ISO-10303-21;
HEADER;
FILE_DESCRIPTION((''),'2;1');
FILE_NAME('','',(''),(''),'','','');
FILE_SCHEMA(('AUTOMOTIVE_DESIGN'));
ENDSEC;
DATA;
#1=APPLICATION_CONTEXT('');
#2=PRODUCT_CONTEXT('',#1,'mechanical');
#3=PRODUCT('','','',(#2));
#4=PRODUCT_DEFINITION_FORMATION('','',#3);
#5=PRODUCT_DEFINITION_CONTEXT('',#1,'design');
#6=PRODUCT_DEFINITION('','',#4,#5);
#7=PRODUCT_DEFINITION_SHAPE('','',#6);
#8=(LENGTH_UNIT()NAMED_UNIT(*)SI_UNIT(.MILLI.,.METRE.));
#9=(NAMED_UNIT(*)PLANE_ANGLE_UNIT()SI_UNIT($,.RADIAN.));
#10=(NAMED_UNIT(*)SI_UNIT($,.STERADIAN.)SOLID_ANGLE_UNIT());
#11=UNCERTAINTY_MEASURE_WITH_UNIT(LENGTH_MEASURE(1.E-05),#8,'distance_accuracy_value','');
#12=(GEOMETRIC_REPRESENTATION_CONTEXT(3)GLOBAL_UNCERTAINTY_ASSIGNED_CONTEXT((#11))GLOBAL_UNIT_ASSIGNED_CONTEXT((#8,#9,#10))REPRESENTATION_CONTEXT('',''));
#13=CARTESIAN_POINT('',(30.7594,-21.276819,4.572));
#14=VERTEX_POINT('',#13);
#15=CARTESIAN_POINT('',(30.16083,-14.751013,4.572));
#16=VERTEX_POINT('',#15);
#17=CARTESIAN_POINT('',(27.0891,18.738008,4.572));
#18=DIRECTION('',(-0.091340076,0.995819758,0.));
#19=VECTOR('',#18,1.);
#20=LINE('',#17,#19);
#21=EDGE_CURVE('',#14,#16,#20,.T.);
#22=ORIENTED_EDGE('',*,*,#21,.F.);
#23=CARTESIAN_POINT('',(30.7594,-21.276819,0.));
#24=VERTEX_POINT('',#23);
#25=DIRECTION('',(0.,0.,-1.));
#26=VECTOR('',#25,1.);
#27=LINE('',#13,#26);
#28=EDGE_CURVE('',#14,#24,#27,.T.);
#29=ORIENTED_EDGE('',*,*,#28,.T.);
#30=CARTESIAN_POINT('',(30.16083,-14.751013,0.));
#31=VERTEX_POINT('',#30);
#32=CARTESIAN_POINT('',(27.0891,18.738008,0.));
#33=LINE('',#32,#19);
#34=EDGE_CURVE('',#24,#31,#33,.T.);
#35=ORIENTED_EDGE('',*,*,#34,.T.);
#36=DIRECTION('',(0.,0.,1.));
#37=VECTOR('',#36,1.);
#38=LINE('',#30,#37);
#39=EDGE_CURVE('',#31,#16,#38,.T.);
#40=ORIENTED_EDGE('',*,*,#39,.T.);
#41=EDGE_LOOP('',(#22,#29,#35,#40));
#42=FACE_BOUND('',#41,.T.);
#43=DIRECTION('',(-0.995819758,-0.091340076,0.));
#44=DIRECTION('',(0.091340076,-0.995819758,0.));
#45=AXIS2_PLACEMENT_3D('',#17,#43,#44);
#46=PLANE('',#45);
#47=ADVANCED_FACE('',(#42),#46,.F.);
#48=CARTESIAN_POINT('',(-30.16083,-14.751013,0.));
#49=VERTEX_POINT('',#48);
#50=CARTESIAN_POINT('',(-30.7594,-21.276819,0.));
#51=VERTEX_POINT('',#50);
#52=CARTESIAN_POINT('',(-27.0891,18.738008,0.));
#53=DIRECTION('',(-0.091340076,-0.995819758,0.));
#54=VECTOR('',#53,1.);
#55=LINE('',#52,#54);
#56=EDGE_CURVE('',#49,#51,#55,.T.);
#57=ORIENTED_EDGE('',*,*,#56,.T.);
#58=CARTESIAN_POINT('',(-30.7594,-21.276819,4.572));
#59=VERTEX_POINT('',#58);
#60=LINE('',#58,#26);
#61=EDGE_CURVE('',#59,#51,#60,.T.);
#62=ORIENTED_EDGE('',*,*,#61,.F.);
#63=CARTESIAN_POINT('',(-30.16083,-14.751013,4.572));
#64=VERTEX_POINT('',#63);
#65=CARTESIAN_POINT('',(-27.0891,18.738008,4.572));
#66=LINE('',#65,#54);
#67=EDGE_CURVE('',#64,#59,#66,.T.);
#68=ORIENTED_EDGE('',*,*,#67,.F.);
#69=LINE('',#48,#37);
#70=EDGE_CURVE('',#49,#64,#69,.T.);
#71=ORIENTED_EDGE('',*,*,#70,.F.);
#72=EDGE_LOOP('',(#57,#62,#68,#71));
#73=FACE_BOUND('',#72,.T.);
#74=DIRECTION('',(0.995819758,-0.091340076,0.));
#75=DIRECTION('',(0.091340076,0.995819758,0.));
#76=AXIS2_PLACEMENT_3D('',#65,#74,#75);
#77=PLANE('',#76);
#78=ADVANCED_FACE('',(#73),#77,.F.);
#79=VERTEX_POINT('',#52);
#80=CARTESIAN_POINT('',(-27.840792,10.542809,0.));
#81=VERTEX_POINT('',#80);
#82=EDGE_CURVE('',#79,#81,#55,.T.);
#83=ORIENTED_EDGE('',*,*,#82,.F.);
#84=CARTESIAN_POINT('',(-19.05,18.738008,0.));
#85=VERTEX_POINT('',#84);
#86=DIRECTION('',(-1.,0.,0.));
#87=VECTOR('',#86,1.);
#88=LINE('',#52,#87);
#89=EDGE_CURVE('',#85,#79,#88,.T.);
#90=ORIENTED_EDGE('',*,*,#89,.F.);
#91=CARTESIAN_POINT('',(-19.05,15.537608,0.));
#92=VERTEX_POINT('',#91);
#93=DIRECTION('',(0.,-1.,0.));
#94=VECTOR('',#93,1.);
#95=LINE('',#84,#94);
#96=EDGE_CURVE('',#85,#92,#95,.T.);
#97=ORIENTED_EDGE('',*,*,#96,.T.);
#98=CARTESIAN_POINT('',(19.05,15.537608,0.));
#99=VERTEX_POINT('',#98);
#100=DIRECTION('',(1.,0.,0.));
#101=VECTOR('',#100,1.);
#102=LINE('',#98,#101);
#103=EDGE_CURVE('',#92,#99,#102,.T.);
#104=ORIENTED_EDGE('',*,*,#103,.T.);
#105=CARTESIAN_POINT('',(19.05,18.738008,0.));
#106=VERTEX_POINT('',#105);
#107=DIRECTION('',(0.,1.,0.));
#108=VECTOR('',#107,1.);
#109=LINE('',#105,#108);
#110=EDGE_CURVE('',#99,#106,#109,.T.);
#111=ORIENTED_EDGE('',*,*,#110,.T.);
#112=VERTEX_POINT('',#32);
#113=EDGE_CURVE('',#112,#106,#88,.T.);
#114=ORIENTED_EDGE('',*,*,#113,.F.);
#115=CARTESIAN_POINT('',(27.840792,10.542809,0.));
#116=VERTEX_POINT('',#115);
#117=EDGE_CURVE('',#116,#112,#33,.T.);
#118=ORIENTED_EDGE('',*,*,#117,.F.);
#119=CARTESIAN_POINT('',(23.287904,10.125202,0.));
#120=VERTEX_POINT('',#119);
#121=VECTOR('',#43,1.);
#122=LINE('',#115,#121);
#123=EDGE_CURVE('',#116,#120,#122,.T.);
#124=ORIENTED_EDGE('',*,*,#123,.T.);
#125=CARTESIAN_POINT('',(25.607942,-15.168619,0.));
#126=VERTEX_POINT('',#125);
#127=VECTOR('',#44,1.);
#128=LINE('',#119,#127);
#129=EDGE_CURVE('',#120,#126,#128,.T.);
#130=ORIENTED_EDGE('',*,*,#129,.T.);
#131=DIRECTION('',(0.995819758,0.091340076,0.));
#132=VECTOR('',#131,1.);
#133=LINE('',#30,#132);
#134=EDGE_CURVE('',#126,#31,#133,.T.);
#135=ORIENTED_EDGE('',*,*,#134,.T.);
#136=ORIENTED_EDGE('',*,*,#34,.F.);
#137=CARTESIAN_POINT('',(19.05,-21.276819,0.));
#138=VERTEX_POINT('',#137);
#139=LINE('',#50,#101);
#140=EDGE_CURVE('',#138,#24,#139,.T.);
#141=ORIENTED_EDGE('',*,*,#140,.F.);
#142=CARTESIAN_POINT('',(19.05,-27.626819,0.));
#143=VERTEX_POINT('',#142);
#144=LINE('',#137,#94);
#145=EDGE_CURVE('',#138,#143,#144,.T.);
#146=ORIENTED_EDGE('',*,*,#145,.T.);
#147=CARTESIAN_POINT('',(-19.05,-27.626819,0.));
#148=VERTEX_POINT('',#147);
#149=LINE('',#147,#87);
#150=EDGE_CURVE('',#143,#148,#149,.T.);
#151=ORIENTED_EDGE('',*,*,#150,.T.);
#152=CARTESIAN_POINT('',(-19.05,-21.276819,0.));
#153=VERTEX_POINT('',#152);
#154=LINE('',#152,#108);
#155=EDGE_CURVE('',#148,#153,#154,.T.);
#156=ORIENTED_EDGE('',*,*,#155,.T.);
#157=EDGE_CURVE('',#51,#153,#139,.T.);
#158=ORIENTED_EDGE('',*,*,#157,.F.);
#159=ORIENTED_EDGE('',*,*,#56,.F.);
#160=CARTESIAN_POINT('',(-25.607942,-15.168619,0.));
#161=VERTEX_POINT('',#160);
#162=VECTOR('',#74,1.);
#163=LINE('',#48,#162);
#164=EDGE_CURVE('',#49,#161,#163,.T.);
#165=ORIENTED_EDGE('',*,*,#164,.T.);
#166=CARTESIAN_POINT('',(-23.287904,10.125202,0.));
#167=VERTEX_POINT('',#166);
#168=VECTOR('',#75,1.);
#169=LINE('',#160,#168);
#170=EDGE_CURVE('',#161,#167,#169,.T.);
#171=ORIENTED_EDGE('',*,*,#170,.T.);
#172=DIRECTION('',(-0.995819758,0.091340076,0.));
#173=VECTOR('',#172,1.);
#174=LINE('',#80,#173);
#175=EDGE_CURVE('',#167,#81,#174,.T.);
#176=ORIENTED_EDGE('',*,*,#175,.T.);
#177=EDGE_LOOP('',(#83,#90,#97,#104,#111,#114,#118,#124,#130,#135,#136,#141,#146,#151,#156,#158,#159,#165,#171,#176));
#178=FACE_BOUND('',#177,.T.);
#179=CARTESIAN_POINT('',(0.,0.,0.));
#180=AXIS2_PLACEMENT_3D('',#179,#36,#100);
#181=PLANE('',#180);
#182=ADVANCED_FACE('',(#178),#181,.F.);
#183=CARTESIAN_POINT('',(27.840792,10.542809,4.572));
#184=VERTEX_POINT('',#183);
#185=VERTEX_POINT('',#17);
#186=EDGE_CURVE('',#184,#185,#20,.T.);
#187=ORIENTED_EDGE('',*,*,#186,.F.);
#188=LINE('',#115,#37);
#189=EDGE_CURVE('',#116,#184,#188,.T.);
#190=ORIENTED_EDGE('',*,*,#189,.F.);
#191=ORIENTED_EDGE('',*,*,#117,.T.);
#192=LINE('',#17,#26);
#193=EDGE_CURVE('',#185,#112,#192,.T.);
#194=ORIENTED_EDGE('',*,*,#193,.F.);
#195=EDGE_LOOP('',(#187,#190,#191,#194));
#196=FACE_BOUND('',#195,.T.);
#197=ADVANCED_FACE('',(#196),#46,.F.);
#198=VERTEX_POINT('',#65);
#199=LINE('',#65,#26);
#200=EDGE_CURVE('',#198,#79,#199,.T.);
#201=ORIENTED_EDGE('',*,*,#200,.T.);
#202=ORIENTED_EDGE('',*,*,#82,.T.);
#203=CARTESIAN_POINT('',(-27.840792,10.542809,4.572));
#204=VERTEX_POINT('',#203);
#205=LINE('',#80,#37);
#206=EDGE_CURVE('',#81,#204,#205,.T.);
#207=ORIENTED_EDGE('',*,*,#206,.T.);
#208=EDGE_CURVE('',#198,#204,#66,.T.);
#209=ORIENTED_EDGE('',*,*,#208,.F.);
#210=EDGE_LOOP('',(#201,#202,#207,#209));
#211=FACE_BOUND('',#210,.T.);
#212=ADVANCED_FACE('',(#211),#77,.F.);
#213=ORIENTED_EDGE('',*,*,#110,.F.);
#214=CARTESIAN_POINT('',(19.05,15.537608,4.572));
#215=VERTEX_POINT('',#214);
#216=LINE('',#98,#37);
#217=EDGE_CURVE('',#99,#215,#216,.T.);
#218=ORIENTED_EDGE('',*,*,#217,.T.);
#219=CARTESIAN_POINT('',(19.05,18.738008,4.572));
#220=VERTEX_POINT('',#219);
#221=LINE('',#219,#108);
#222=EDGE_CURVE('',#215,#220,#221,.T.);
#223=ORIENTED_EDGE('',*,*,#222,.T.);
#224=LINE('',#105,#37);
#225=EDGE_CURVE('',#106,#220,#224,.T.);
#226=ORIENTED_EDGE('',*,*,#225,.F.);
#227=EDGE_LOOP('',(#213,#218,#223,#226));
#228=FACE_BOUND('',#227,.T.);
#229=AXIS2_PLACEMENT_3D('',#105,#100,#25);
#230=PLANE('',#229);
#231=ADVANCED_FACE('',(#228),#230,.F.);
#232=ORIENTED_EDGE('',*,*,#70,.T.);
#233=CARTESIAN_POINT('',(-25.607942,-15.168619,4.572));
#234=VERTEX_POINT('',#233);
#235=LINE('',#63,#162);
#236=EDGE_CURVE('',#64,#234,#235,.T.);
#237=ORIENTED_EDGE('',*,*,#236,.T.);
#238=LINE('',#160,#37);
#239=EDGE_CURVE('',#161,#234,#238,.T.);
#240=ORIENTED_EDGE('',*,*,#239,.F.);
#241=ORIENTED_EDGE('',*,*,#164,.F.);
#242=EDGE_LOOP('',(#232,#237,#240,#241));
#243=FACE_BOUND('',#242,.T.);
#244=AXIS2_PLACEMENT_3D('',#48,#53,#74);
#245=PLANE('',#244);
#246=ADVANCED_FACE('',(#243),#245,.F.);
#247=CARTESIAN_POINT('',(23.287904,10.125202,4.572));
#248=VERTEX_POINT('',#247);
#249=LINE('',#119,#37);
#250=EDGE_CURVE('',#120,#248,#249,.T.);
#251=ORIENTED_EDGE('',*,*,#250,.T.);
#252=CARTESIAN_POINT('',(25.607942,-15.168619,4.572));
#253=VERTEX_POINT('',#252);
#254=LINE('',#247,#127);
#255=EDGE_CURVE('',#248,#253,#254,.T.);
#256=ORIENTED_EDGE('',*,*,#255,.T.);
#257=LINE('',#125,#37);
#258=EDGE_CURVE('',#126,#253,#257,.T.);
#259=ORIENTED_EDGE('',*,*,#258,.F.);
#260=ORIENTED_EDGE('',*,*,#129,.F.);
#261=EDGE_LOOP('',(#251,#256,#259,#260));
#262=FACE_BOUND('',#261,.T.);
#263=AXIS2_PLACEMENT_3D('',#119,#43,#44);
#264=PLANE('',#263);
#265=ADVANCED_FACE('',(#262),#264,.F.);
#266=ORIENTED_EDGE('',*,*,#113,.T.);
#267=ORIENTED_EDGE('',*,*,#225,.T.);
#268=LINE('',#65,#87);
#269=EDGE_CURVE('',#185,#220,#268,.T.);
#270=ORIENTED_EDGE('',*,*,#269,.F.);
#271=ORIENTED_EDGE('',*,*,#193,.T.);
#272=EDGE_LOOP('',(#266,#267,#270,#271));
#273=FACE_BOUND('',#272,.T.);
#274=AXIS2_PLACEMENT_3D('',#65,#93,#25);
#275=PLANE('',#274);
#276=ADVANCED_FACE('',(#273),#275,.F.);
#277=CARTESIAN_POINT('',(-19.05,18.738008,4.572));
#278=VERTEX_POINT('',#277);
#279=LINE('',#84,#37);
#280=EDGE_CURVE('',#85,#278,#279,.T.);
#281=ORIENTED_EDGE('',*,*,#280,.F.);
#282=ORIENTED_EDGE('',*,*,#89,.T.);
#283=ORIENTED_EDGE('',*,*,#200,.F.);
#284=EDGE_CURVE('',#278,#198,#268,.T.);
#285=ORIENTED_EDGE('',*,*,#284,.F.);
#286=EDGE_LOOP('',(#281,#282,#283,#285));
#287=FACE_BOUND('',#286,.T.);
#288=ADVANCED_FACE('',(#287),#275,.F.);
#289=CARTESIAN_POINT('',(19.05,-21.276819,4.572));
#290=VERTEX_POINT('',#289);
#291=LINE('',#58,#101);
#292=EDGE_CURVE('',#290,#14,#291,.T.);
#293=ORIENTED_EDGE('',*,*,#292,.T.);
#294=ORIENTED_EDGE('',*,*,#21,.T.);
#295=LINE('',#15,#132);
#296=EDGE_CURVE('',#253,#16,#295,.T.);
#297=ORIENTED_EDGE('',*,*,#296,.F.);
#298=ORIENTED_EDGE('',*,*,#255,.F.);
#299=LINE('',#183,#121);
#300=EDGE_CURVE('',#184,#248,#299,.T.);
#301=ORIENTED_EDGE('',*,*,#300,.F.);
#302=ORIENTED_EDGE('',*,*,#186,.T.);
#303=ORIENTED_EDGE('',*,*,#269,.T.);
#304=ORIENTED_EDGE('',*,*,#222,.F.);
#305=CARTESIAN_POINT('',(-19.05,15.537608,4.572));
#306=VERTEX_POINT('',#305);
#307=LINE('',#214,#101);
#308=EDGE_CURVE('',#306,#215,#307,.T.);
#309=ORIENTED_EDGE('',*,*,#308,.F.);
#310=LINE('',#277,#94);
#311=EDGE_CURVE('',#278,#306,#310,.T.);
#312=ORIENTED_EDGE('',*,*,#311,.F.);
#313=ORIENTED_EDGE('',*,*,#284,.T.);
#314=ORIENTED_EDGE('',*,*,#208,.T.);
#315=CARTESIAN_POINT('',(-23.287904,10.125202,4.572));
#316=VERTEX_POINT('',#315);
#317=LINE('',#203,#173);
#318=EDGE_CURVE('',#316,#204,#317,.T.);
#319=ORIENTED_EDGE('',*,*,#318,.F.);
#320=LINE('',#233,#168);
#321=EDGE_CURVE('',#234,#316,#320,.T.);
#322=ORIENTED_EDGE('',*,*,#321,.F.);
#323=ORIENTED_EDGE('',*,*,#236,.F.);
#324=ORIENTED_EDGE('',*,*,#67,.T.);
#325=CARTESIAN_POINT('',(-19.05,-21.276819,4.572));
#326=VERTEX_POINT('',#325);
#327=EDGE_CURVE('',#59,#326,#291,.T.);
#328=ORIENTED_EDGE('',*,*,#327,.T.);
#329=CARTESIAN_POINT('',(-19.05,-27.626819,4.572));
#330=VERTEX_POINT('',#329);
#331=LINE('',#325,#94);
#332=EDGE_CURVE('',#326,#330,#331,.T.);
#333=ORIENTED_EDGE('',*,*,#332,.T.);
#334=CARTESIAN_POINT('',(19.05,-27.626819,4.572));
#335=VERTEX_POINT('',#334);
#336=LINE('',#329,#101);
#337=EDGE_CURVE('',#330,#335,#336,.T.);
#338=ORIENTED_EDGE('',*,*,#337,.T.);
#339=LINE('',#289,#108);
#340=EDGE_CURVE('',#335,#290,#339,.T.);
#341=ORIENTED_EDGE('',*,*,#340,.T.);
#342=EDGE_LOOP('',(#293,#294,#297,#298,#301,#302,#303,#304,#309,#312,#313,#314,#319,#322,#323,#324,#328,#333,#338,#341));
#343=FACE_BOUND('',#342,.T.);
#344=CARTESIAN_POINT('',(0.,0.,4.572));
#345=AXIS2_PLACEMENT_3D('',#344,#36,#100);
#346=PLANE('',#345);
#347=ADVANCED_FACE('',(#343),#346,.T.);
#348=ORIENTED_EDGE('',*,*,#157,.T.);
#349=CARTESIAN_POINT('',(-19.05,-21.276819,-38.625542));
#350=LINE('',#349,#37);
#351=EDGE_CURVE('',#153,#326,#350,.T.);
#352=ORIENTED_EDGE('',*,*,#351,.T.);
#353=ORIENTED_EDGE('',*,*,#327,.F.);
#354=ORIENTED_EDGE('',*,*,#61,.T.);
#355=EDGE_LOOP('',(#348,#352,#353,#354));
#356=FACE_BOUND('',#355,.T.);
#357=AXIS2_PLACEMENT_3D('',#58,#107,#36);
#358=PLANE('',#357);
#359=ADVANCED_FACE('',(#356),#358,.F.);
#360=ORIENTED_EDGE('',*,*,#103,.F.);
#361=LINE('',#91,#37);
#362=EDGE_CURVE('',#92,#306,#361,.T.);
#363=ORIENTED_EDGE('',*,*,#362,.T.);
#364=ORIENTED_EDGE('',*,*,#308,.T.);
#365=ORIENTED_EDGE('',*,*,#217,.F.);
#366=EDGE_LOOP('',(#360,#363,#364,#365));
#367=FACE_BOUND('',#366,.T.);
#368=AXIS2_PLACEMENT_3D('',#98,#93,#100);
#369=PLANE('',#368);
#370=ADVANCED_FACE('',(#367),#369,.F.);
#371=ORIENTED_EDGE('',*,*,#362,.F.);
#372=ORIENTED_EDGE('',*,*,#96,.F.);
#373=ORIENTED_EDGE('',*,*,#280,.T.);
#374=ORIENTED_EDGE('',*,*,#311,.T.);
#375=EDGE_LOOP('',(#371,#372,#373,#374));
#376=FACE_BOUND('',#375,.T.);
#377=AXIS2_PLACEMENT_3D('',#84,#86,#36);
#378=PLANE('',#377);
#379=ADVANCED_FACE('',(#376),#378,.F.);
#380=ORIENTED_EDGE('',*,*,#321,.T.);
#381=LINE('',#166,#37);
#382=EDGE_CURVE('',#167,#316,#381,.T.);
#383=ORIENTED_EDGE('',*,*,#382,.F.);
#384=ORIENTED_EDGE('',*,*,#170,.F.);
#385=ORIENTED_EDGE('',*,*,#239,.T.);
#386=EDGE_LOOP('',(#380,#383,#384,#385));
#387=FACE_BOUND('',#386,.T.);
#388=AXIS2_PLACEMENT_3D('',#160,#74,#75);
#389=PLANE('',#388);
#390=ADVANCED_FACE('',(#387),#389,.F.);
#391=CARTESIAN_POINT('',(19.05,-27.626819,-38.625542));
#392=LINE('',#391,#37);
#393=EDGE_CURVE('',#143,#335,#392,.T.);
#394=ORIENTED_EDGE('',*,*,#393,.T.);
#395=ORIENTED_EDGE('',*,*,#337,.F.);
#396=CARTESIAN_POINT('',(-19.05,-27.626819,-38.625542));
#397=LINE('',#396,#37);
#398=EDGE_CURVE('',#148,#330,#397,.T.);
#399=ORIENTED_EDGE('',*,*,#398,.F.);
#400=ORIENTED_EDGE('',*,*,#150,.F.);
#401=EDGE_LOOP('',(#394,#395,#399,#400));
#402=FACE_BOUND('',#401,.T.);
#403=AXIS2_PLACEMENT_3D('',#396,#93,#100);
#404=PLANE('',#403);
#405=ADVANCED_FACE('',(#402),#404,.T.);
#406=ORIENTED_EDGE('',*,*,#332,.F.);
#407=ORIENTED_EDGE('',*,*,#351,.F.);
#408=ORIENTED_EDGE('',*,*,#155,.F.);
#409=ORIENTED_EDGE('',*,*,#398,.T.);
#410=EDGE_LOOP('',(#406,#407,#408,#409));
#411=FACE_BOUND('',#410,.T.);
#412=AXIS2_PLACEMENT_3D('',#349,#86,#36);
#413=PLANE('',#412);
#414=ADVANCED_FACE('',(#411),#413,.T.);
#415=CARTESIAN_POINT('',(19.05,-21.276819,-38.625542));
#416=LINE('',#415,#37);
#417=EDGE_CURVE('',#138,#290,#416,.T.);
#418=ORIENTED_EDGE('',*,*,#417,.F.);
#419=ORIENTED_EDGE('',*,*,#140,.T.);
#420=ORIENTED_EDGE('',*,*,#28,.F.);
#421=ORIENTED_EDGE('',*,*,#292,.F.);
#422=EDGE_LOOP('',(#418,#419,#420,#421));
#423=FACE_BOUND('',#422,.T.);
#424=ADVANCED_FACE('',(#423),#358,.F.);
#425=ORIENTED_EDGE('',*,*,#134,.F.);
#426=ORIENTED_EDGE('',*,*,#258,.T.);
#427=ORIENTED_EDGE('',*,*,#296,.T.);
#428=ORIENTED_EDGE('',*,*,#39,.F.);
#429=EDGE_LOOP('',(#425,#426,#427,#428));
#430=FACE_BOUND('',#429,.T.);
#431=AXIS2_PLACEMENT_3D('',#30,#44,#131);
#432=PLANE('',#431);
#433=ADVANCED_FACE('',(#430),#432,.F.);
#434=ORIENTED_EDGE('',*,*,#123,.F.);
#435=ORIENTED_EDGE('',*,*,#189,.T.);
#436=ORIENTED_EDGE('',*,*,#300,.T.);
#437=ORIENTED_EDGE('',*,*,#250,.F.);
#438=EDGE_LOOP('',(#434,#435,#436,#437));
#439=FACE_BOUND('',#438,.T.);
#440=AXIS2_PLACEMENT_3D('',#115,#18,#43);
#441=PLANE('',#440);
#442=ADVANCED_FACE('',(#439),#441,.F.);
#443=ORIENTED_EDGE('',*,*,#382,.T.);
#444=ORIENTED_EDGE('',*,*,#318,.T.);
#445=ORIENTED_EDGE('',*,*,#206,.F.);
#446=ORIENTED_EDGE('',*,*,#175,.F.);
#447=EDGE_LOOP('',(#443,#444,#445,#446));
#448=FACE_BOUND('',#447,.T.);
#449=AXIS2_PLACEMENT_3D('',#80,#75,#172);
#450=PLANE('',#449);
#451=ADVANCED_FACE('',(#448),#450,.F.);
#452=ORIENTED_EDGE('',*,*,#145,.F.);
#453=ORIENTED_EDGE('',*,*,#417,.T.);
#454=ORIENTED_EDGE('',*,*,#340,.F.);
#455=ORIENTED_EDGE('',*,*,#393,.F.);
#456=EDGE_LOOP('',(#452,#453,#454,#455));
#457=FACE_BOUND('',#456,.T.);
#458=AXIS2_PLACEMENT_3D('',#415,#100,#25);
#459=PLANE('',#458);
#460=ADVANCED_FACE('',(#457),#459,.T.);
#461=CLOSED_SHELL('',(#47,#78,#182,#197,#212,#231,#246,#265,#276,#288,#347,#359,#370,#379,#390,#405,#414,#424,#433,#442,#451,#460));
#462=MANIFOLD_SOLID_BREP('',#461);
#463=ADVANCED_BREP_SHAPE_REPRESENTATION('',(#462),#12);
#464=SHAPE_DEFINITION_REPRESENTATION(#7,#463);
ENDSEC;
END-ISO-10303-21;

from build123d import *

# Parameters (mm, degrees)
BOSS_EXTRUDE1_DEPTH = 4.572
SKETCH2_W           = 38.1
SKETCH2_H           = 3.2004
CUT_EXTRUDE1_DEPTH  = 5.572
SKETCH3_W           = 38.1
SKETCH3_H           = 6.35
BOSS_EXTRUDE2_DEPTH = 4.572


with BuildPart() as part:
    # Sketch1 → Boss-Extrude1 (new body)
    with BuildSketch(Plane.XY):
        Polygon((-27.0891, 18.738007515), (27.0891, 18.738007515), (30.7594, -21.276818659), (-30.7594, -21.276818659), align=None)
    extrude(amount=BOSS_EXTRUDE1_DEPTH)

    # Sketch2 → Cut-Extrude1 (cut, through all)
    with BuildSketch(Plane.XY.offset(4.572)):
        with Locations((0, 17.137807515)):
            Rectangle(SKETCH2_W, SKETCH2_H)
        Polygon((-30.160830215, -14.751012621), (-27.840792288, 10.542809234), (-23.287904354, 10.125202407), (-25.607942281, -15.168619448), align=None)
        Polygon((27.840792288, 10.542809234), (30.160830215, -14.751012621), (25.607942281, -15.168619448), (23.287904354, 10.125202407), align=None)
    extrude(amount=-CUT_EXTRUDE1_DEPTH, mode=Mode.SUBTRACT)

    # Sketch3 → Boss-Extrude2 (add)
    with BuildSketch(Plane.XY.offset(4.572)):
        with Locations((0, -24.451818659)):
            Rectangle(SKETCH3_W, SKETCH3_H)
    extrude(amount=-BOSS_EXTRUDE2_DEPTH)


solid = part.part
